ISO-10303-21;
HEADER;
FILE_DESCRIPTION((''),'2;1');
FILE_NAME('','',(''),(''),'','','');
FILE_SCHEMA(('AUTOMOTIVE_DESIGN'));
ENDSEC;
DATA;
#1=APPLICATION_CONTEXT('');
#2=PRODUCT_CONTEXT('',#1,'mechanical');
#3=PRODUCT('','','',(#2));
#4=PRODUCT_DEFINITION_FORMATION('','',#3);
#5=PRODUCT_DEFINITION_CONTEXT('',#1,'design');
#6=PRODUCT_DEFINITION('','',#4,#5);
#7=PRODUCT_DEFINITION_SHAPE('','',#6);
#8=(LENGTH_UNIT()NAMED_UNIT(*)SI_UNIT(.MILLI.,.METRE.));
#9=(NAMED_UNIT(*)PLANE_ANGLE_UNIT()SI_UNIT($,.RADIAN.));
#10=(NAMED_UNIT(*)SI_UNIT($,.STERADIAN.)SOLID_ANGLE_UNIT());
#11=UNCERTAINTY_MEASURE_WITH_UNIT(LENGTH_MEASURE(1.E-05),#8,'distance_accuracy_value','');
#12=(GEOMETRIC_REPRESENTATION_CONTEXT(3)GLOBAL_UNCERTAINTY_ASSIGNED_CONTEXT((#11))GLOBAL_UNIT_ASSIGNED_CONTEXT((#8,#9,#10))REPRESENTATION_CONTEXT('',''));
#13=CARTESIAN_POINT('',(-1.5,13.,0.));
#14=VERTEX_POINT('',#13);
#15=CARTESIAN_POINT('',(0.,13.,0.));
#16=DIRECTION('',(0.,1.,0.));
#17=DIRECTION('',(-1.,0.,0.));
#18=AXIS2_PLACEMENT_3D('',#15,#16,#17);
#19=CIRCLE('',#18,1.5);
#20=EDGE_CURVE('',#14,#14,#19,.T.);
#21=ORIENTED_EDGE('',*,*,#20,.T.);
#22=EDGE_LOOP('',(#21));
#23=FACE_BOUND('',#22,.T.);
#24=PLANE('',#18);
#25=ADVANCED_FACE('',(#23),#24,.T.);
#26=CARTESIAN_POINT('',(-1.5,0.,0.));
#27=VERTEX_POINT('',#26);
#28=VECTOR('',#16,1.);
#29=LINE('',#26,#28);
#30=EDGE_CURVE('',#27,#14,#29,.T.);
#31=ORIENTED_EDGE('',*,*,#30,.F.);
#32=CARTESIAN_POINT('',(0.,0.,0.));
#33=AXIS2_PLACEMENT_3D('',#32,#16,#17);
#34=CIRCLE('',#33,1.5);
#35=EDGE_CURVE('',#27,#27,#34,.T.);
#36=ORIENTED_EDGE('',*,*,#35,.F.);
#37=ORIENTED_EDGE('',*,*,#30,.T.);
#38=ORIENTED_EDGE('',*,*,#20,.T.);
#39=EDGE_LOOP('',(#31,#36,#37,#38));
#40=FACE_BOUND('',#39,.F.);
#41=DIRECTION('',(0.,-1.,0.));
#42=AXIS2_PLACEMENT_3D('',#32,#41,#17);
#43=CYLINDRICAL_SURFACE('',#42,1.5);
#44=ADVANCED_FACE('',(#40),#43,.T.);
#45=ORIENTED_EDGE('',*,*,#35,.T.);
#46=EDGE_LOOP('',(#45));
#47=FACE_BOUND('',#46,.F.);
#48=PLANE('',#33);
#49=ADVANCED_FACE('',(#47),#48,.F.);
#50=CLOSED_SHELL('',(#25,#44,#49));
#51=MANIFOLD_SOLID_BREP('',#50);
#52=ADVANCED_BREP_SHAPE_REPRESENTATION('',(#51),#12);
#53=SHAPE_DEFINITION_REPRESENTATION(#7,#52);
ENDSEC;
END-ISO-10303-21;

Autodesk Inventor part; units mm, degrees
ref_plane "YZ Plane" through (0, 0, 0) normal (1, 0, 0) x (0, 1, 0)
ref_plane "XZ Plane" through (0, 0, 0) normal (0, 1, 0) x (-1, 0, 0)
ref_plane "XY Plane" through (0, 0, 0) normal (0, 0, 1) x (1, 0, 0)
sketch "Sketch1" plane through (0, 0, 0) normal (0, 1, 0) x (-1, 0, 0)
  circle A0 centre (0, 0) radius 1.5
  dimension "d0" = 3
extrude "Extrusion1" add sketch "Sketch1" along normal blind 13
properties part number "screw3"
